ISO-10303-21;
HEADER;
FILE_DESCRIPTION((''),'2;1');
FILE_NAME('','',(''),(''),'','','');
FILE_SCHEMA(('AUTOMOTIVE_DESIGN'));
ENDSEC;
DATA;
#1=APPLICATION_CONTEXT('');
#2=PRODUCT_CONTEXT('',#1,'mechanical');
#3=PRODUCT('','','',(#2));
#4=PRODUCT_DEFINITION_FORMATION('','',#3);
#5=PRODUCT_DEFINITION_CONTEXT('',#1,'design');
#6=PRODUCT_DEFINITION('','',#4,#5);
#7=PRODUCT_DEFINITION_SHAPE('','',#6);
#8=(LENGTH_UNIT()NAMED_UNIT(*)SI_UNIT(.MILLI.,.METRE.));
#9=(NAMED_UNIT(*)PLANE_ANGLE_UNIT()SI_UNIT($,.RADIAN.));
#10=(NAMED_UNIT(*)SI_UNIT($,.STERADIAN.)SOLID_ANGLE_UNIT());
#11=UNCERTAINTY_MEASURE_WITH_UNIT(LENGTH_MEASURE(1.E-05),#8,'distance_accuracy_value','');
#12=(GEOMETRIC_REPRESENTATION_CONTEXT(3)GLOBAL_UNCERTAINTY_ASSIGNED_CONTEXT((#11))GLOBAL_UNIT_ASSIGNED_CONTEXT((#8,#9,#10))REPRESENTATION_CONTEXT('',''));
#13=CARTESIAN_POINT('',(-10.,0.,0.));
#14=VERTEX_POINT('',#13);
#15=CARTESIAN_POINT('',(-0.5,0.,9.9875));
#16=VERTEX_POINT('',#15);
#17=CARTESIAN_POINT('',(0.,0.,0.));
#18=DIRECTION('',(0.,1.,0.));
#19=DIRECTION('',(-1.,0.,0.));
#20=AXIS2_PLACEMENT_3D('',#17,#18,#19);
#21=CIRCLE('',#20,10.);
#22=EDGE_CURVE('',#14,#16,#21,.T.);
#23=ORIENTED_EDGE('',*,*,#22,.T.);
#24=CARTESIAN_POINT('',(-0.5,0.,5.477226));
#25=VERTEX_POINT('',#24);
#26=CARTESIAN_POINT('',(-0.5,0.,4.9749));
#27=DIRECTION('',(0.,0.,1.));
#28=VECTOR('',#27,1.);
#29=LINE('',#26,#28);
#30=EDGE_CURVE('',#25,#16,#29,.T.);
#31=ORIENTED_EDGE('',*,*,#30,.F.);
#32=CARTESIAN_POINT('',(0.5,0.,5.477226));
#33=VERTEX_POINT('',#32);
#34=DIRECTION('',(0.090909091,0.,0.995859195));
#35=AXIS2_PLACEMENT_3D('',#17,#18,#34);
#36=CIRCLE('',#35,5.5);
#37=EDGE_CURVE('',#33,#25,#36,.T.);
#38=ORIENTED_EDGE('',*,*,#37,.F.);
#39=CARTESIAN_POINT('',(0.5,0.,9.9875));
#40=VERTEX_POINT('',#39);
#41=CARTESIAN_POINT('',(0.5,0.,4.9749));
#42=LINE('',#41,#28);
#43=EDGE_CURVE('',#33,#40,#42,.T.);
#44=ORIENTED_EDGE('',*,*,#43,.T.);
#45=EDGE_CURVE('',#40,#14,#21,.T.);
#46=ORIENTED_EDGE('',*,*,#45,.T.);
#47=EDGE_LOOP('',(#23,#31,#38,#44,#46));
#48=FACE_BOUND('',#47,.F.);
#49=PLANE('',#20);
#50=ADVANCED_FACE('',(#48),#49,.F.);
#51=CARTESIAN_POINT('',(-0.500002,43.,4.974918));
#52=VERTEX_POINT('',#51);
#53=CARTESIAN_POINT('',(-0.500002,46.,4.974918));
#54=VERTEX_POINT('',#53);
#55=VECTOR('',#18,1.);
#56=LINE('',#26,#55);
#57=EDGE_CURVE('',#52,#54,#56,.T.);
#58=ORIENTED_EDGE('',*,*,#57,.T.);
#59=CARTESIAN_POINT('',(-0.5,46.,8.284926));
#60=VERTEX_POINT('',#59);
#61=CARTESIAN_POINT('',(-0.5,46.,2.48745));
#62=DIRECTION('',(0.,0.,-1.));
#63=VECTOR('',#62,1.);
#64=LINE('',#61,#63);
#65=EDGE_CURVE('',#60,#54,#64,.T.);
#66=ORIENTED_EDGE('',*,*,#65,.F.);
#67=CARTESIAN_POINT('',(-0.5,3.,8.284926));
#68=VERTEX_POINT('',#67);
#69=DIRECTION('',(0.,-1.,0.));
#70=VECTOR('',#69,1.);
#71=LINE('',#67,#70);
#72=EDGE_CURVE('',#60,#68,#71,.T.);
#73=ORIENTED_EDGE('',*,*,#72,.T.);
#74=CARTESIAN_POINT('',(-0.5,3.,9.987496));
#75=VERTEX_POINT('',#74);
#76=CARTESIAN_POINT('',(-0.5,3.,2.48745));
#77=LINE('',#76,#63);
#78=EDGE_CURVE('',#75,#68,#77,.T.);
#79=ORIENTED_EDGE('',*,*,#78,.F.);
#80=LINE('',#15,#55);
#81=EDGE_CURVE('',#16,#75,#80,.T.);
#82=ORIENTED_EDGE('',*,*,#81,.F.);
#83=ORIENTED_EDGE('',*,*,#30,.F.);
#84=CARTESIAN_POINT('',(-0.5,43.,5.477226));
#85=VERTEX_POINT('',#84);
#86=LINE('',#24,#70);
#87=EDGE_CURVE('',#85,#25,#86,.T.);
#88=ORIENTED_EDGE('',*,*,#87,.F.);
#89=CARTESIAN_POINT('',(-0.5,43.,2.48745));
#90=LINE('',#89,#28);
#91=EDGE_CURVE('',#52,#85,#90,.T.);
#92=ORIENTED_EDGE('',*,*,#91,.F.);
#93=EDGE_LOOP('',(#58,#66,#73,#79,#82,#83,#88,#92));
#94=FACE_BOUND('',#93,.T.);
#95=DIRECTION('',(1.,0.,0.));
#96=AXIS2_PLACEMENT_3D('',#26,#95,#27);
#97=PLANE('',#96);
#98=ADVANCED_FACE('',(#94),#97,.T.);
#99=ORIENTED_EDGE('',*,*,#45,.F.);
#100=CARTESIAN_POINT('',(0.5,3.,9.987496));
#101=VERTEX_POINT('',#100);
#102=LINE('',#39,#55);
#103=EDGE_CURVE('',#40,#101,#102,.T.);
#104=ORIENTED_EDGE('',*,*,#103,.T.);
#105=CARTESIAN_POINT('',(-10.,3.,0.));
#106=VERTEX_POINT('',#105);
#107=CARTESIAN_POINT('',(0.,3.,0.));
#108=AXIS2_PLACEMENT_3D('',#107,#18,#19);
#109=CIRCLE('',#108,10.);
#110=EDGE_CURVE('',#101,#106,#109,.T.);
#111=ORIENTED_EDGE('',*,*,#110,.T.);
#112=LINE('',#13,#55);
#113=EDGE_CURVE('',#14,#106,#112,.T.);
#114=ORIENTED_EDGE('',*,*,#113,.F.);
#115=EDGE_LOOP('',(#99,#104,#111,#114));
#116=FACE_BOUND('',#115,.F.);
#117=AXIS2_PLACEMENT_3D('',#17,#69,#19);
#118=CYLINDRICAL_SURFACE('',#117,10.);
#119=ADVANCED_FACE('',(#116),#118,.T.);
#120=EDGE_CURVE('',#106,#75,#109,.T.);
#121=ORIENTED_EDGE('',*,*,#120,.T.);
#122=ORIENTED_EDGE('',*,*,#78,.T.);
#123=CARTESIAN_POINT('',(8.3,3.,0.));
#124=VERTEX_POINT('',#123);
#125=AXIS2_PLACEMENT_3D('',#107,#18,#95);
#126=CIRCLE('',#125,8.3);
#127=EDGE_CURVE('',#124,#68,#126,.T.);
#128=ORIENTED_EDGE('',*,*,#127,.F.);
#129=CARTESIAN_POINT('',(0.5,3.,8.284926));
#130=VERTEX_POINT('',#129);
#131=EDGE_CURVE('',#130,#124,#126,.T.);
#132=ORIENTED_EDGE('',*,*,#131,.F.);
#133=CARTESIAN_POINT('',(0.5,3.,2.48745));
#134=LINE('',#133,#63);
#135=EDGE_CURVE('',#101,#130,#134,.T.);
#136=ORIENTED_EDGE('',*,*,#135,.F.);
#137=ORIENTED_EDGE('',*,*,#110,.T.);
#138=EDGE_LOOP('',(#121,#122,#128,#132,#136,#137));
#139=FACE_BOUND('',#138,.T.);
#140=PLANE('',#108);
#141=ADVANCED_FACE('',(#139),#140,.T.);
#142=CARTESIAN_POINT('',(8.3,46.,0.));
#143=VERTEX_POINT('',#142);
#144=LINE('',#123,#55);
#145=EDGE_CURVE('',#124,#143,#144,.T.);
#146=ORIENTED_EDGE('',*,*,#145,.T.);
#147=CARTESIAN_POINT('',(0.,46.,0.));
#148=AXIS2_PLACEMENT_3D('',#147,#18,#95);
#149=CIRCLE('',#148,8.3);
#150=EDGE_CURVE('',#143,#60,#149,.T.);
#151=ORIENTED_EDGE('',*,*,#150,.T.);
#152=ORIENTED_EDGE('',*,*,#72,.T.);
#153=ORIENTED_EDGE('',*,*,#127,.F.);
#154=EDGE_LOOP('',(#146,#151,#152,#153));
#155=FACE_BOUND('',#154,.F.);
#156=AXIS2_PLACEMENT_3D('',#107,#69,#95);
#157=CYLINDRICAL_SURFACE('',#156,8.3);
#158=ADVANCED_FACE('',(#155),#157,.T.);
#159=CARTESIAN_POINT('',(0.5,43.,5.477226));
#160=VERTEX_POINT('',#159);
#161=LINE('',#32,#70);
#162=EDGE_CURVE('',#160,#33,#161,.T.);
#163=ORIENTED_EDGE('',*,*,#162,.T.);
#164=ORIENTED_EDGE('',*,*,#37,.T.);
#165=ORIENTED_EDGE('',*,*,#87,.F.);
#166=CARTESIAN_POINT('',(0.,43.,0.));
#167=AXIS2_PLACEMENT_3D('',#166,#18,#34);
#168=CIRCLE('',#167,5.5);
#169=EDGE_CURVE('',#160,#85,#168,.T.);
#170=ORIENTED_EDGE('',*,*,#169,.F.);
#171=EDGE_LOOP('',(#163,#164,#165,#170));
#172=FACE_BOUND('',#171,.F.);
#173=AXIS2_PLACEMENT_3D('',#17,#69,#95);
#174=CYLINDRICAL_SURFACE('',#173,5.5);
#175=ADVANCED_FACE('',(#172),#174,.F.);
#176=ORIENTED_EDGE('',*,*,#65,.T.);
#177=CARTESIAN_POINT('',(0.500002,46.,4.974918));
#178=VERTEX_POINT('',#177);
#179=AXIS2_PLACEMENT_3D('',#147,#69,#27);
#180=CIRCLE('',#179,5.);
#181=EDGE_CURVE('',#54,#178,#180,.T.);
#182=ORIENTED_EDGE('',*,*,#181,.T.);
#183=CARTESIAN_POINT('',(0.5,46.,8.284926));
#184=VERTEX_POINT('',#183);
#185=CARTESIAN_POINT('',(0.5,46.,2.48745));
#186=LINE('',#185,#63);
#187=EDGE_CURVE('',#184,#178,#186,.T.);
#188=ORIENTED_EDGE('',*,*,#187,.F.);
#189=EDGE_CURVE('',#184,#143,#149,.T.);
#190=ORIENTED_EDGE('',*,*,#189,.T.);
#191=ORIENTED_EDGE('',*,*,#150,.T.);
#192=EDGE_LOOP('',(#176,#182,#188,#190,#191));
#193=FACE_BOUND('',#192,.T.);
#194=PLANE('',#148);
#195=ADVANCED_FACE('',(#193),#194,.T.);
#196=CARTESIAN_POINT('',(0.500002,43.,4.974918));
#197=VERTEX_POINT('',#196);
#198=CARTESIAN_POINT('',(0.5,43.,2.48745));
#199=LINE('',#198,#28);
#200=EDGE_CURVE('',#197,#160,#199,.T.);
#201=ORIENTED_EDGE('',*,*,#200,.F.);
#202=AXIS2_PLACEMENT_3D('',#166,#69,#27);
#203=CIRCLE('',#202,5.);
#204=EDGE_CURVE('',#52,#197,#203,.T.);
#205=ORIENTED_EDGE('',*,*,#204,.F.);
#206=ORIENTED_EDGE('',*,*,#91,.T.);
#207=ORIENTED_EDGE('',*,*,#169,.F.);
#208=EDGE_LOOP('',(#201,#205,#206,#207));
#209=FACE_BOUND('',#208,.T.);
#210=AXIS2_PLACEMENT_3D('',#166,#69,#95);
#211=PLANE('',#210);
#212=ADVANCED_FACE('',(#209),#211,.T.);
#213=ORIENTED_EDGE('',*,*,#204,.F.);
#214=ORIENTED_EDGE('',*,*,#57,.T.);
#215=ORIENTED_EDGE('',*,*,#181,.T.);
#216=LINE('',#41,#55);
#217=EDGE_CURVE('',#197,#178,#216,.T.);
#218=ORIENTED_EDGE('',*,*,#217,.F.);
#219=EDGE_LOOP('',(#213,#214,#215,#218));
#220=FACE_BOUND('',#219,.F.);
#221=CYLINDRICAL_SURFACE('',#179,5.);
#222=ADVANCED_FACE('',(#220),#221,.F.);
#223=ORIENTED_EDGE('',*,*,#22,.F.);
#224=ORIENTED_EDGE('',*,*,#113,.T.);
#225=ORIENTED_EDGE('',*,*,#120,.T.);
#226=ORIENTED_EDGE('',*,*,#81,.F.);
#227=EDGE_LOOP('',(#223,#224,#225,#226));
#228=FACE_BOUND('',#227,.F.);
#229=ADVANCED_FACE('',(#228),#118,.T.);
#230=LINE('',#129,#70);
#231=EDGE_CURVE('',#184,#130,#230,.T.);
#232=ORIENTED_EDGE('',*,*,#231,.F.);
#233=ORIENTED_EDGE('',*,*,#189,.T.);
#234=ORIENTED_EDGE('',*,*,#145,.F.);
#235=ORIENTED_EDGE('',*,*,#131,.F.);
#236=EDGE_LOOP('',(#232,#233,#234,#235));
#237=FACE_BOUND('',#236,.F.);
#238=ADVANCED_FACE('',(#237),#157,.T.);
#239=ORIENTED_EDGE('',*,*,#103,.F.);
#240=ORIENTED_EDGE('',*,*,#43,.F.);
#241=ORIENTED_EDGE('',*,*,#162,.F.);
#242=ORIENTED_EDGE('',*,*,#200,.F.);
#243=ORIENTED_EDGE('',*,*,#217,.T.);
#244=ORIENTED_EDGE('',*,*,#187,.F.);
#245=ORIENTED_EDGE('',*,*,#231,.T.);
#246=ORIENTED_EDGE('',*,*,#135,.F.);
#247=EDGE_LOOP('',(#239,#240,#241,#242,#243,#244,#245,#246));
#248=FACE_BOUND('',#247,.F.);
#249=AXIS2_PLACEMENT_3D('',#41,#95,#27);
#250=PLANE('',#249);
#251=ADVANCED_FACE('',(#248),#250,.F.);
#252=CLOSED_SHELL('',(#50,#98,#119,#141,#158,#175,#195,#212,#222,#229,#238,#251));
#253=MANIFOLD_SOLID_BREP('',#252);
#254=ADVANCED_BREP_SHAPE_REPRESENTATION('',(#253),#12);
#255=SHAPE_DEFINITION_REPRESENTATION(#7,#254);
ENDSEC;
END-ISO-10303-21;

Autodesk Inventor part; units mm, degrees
ref_plane "YZ Plane" through (0, 0, 0) normal (1, 0, 0) x (0, 1, 0)
ref_plane "XZ Plane" through (0, 0, 0) normal (0, 1, 0) x (-1, 0, 0)
ref_plane "XY Plane" through (0, 0, 0) normal (0, 0, 1) x (1, 0, 0)
sketch "草圖1" plane through (0, 0, 0) normal (0, 1, 0) x (-1, 0, 0)
  circle A0 centre (0, 0) radius 10
  dimension "d0" = 20
extrude "擠出1" add sketch "草圖1" along normal blind 3
sketch "草圖2" plane through (0, 3, 0) normal (0, 1, 0) x (1, 0, 0)
  circle A0 centre (0, 0) radius 8.3
  circle A1 centre (0, 0) radius 5.5
  dimension "d3" = 16.6
  dimension "d4" = 11
extrude "擠出2" add sketch "草圖2" along normal blind 43 contours A0 | A1
sketch "草圖3" plane through (0, 0, 0) normal (0, -1, 0) x (1, 0, 0)
  circle A0 centre (0, 0) radius 5.5
  circle A1 centre (0, 0) radius 10 projected
  dimension "d19" = 11
extrude "擠出3" cut sketch "草圖3" against normal blind 43 contours A0
sketch "草圖4" plane through (0, 46, 0) normal (0, 1, 0) x (1, 0, 0)
  point P0 (0, 0)
hole "孔1" at (0, 46, 0) direction (0, -1, 0) diameter 10 end through all
sketch "草圖5" plane through (0, 0, 0) normal (0, -1, 0) x (1, 0, 0)
  circle A0 centre (0, 0) radius 5 projected
  circle A1 centre (0, 0) radius 10 projected
  line L0 (0, 0) -> (0, 9.3404) construction
  line L1 (-0.5, 4.9749) -> (-0.5, 9.9875)
  line L2 (0.5, 4.9749) -> (0.5, 9.9875)
  dimension "d16" = 1
extrude "擠出4" cut sketch "草圖5" against normal through all contours A0 L1 A1 L2 picked at (0.0556, 6.6643)
properties part number "迫緊環"
